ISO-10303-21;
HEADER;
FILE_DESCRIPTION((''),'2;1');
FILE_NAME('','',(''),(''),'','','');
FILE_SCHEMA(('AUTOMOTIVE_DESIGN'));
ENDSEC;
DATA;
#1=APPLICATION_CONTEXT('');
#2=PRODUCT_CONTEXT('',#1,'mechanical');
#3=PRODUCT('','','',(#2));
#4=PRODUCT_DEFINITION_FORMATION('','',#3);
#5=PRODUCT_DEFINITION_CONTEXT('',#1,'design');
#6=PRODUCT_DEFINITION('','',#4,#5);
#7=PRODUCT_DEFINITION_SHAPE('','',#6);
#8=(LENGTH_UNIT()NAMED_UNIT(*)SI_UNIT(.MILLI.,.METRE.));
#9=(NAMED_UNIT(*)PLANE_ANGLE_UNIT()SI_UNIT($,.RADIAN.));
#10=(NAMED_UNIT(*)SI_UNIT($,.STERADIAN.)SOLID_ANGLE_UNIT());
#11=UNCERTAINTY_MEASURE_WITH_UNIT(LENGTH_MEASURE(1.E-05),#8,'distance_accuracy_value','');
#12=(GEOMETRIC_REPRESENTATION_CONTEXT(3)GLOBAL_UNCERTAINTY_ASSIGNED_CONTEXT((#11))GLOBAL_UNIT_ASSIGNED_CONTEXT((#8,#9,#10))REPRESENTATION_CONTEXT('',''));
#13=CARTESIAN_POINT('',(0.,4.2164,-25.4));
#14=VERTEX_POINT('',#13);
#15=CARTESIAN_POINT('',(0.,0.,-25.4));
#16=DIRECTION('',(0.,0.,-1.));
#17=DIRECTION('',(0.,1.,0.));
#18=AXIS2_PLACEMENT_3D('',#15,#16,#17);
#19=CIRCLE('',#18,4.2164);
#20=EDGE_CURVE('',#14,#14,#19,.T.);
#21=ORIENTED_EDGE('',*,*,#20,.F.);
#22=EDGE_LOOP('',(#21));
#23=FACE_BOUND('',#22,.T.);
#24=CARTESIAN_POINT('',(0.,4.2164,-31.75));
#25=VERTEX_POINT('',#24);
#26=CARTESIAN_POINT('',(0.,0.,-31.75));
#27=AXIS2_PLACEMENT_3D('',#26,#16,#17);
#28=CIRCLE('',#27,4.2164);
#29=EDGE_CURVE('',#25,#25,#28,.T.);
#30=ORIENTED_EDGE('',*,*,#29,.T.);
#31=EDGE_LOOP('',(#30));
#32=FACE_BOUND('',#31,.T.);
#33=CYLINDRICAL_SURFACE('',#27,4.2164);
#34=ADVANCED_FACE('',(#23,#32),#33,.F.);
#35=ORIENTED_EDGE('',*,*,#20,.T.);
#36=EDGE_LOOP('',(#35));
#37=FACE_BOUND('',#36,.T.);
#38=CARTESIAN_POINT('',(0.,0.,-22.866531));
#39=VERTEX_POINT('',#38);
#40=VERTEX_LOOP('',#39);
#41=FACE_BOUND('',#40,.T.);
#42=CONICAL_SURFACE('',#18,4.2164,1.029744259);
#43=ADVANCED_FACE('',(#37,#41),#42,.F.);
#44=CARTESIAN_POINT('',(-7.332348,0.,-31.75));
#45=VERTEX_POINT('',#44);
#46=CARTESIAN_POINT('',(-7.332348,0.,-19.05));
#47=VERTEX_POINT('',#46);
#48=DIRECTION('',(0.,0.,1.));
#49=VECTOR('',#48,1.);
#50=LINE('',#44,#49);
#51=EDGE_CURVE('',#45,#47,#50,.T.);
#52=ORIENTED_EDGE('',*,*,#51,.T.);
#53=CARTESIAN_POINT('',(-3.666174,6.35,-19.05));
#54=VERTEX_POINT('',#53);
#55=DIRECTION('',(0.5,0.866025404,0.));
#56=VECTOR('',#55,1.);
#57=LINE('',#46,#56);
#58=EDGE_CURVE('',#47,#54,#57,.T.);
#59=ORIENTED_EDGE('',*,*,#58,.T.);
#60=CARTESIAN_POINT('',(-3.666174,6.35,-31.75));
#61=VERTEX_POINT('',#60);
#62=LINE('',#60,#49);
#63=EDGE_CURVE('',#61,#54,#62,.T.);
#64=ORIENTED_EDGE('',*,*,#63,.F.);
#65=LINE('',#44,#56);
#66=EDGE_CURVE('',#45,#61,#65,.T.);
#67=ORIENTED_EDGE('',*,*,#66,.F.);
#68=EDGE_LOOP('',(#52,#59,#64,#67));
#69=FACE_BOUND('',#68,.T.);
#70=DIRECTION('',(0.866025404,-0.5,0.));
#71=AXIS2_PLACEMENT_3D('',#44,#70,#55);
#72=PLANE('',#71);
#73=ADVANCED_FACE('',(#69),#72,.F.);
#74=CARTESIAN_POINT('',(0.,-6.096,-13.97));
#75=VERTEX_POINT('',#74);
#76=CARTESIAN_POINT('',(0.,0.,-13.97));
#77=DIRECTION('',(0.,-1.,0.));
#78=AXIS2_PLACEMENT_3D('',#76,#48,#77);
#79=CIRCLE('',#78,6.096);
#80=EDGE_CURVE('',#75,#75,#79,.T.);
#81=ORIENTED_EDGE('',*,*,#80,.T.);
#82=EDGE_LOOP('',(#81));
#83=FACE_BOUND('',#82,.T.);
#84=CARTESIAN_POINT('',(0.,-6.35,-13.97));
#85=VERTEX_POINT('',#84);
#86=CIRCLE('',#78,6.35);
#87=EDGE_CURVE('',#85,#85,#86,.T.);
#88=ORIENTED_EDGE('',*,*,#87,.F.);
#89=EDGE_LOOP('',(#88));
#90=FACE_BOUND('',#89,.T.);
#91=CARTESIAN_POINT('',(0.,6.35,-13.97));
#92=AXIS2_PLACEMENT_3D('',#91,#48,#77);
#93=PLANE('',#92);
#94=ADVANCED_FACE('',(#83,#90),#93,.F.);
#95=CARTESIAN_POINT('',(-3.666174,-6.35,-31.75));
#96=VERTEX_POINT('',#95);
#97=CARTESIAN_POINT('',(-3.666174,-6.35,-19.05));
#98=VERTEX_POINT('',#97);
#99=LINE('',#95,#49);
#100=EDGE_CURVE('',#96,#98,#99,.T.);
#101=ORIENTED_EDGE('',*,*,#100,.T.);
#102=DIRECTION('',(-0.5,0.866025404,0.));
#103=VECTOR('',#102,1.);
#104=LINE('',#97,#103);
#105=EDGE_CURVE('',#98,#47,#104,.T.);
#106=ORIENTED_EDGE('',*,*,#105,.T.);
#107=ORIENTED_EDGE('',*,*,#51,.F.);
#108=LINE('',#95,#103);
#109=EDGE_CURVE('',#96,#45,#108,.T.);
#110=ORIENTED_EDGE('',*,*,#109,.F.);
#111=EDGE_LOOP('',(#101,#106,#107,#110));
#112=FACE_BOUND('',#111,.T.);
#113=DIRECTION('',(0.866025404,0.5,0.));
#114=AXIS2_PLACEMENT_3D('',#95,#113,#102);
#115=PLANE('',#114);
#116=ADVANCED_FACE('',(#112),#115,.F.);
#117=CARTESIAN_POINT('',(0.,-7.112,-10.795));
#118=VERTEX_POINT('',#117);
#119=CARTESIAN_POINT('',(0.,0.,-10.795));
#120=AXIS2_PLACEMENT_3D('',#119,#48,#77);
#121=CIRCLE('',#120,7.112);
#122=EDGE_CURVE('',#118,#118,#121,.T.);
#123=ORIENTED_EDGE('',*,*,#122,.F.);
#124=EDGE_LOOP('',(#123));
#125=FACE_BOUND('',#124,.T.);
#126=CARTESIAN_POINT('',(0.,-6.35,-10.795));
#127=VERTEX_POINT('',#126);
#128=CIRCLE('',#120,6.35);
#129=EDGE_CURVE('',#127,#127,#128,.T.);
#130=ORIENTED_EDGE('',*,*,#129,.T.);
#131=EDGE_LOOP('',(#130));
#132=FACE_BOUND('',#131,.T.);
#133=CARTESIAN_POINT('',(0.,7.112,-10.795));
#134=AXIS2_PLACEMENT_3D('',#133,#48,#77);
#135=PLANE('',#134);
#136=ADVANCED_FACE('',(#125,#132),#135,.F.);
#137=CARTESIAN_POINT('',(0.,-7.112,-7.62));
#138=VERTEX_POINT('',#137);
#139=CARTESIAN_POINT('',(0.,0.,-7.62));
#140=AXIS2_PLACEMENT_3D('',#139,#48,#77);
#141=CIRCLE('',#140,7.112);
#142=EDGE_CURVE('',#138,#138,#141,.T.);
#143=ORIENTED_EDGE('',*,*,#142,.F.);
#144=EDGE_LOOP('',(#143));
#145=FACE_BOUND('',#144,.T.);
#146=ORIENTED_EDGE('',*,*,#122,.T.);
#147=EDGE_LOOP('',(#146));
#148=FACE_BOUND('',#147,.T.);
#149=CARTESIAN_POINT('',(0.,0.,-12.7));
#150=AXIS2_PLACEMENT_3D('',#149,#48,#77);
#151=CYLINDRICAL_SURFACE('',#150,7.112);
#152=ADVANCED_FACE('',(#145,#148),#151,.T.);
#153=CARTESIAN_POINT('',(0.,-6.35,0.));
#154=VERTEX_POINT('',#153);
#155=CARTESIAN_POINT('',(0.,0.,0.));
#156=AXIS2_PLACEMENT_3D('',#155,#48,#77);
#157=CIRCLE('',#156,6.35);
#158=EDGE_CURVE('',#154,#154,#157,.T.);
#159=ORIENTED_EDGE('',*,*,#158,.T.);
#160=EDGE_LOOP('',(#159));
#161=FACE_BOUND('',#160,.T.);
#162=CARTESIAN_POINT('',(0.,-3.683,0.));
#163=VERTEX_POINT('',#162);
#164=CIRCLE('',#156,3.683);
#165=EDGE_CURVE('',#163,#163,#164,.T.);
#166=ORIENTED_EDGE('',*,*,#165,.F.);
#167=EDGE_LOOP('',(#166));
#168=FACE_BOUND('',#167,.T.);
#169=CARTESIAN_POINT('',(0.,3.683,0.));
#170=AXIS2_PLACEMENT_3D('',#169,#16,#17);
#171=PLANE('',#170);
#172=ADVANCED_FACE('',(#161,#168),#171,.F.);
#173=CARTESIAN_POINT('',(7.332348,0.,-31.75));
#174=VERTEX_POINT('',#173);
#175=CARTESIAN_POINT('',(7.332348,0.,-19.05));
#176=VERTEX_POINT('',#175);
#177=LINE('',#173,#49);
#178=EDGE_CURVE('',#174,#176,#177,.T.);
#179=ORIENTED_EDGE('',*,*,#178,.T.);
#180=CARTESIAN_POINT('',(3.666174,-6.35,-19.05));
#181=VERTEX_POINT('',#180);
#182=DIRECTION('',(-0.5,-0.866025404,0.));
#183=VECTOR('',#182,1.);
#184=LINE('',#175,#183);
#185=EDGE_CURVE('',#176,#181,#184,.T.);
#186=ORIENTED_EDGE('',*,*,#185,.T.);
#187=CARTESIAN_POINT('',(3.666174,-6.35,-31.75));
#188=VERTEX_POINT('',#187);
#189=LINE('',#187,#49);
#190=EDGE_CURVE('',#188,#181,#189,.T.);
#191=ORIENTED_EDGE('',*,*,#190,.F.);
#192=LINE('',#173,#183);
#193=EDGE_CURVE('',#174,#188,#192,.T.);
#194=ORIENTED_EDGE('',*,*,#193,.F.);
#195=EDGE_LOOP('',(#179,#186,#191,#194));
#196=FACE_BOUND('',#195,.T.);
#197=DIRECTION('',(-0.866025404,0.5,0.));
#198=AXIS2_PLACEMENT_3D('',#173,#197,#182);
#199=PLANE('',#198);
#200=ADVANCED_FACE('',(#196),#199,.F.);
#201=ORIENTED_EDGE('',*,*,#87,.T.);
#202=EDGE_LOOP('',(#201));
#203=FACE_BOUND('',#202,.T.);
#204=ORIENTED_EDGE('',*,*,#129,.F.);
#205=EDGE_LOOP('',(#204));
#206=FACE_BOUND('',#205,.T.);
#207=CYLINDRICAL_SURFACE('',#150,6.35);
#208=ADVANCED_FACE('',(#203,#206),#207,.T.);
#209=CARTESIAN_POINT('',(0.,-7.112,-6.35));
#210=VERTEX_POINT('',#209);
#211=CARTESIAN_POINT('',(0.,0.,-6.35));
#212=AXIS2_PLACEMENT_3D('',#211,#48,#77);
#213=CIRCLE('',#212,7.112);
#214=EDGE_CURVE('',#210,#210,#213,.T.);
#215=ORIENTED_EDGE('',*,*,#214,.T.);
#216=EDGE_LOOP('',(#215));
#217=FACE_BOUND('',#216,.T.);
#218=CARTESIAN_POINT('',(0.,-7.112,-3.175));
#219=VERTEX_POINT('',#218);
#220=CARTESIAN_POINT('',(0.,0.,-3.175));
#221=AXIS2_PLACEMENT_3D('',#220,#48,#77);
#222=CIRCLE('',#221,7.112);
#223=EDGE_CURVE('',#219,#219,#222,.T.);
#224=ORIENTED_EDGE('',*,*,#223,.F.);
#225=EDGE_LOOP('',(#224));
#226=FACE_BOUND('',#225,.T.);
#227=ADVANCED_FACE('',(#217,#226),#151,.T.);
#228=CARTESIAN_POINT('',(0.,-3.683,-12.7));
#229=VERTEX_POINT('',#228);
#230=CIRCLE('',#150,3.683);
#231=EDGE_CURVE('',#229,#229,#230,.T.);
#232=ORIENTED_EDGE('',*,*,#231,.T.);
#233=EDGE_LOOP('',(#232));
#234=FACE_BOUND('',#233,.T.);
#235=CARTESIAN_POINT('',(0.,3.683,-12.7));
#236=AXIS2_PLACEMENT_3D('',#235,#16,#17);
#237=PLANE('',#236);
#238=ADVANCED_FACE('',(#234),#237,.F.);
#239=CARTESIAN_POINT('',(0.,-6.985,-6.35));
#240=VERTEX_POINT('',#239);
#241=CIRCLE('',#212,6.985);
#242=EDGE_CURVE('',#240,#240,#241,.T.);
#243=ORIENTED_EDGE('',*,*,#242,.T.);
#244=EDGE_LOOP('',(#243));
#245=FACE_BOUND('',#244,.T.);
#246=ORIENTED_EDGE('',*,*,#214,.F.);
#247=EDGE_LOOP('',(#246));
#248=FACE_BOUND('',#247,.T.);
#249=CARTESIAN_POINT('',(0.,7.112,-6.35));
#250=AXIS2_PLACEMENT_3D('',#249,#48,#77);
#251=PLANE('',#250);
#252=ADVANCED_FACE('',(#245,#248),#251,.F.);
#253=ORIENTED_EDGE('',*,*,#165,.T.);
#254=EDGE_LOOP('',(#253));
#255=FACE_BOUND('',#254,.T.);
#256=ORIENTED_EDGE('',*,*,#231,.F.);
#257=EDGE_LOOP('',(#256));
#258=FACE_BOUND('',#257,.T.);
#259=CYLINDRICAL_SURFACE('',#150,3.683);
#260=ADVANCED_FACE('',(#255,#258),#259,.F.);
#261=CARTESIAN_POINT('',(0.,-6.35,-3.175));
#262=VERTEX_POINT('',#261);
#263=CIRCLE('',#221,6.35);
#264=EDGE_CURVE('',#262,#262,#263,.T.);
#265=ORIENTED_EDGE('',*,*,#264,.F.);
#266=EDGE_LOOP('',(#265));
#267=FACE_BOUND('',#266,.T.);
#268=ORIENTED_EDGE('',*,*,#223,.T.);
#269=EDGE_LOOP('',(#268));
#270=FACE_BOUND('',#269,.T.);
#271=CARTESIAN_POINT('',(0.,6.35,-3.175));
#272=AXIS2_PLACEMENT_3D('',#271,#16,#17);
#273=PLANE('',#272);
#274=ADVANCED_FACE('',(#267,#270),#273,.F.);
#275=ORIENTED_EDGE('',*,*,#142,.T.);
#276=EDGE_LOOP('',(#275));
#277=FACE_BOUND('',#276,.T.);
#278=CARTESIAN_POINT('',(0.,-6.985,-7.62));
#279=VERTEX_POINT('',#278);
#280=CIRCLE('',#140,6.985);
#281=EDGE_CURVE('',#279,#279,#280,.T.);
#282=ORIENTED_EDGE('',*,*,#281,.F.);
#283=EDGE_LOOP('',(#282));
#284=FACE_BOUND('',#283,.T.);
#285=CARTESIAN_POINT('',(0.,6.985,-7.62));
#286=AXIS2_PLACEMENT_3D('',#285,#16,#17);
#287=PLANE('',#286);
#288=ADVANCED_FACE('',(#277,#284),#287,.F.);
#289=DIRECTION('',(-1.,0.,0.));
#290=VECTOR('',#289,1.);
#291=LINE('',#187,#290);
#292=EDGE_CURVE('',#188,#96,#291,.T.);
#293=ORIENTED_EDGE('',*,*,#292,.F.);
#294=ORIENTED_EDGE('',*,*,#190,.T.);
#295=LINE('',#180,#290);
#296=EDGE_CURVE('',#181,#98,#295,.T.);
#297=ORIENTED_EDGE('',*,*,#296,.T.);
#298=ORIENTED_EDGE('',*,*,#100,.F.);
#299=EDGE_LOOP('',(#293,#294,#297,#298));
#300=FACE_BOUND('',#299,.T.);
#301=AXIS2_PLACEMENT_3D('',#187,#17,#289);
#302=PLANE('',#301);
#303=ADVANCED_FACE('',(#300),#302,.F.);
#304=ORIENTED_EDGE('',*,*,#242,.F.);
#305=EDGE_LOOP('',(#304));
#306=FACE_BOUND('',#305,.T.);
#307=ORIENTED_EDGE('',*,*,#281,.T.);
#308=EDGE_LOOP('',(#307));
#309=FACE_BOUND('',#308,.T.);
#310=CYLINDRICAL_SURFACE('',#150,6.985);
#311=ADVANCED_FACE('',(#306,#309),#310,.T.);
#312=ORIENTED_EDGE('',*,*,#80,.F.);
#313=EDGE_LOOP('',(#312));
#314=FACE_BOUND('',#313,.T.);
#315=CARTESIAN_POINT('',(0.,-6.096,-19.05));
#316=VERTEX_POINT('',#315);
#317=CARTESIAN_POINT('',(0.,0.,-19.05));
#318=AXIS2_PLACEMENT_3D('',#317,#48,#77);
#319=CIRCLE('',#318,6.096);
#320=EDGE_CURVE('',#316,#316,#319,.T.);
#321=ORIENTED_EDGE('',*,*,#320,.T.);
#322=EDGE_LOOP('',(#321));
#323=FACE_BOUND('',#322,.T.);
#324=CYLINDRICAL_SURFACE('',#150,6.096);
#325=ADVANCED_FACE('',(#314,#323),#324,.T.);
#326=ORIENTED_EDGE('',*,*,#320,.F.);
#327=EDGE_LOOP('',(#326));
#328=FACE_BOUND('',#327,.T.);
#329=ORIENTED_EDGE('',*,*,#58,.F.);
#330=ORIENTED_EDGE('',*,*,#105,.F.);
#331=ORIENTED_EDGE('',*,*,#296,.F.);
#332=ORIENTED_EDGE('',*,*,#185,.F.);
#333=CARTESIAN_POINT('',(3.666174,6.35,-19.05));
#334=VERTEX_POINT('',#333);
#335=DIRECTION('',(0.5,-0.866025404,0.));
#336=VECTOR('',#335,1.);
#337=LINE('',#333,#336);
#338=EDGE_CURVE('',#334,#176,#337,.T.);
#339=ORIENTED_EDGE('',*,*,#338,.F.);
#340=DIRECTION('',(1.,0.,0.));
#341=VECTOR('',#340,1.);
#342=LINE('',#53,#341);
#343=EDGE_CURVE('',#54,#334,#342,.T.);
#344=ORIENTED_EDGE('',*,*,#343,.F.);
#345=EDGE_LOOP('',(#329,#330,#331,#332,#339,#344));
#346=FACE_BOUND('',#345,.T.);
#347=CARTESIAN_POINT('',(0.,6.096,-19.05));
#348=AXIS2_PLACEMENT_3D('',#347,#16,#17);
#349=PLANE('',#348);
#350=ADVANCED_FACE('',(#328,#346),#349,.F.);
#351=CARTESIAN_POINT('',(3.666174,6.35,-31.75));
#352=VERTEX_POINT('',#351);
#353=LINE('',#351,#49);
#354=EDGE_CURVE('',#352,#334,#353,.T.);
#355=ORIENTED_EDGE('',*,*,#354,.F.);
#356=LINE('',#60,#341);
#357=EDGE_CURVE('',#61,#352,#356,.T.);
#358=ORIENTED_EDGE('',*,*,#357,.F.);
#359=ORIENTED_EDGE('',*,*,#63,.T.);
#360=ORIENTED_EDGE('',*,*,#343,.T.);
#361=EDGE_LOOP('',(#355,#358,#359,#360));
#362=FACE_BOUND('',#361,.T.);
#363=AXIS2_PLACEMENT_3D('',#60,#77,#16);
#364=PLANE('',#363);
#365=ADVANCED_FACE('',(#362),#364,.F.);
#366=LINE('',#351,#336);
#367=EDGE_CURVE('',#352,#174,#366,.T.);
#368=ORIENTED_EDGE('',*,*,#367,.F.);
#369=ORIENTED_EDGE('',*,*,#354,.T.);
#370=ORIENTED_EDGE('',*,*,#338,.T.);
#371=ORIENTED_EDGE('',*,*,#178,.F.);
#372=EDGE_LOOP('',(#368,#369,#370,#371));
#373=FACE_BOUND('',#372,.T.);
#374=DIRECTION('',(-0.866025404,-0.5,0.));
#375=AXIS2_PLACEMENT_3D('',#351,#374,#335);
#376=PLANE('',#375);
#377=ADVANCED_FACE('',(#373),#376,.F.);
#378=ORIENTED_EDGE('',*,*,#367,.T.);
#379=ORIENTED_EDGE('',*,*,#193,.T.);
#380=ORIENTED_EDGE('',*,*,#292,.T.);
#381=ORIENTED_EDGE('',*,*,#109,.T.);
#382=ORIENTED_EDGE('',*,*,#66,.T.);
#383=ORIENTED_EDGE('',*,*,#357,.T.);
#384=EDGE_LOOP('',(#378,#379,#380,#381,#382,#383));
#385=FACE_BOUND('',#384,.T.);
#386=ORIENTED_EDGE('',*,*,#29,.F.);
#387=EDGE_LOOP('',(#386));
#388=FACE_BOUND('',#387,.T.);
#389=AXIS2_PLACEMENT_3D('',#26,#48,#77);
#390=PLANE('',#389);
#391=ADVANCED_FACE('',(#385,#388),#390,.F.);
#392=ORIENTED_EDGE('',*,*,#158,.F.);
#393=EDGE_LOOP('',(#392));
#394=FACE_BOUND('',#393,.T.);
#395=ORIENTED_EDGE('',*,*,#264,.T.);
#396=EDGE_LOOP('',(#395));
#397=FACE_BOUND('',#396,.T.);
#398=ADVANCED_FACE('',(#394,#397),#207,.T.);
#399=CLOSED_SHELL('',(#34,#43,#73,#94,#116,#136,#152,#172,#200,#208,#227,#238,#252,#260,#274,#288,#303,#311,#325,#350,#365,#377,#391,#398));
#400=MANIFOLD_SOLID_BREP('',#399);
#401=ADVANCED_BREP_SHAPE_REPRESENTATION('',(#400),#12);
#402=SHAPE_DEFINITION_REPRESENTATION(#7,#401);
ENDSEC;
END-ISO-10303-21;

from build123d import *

# Parameters (mm, degrees)
SKETCH2_R                         = 31.732831761
CUT_EXTRUDE1_DEPTH                = 32.254845925
PIPE_TAP_DRILL_FOR_1_8_TAP1_D     = 8.4328
PIPE_TAP_DRILL_FOR_1_8_TAP1_DEPTH = 6.35
PIPE_TAP_DRILL_FOR_1_8_TAP1_TIP   = 2.533468714


with BuildPart() as part:
    # Sketch1 → Revolve1 (revolve)
    with BuildSketch(Plane(origin=(0, 0, 0), x_dir=(0, 0, -1), z_dir=(1, 0, 0)), mode=Mode.PRIVATE) as revolve1_sk:
        Polygon((3.175, 6.35), (3.175, 7.112), (6.35, 7.112), (6.35, 6.985), (7.62, 6.985), (7.62, 7.112), (10.795, 7.112), (10.795, 6.35), (13.97, 6.35), (13.97, 6.096), (19.05, 6.096), (19.05, 17.520886019), (31.75, 17.520886019), (31.75, 0), (12.7, 0), (12.7, 3.683), (0, 3.683), (0, 6.35), align=None)
    revolve(revolve1_sk.sketch.rotate(Axis((0, 0, -12.7), (0, 0, -1)), 180), axis=Axis((0, 0, -12.7), (0, 0, -1)))

    # Sketch2 → Cut-Extrude1 (cut, through all)
    with BuildSketch(Plane(origin=(0, 0, -19.05), x_dir=(-1, 0, 0), z_dir=(0, 0, -1))):
        Circle(SKETCH2_R)
        Polygon((7.332348419, 0), (3.666174209, 6.35), (-3.666174209, 6.35), (-7.332348419, 0), (-3.666174209, -6.35), (3.666174209, -6.35), align=None, mode=Mode.SUBTRACT)
    extrude(amount=CUT_EXTRUDE1_DEPTH, mode=Mode.SUBTRACT)

    # Pipe Tap Drill for 1/8 Tap1
    with Locations(Plane(origin=(0, 0, -31.75), x_dir=(-1, 0, 0), z_dir=(0, 0, -1))):
        with Locations((0, 0)):
            Hole(PIPE_TAP_DRILL_FOR_1_8_TAP1_D / 2, depth=PIPE_TAP_DRILL_FOR_1_8_TAP1_DEPTH)
            with Locations((0, 0, -(PIPE_TAP_DRILL_FOR_1_8_TAP1_DEPTH + PIPE_TAP_DRILL_FOR_1_8_TAP1_TIP / 2))):  # 118° drill point
                Cone(0, PIPE_TAP_DRILL_FOR_1_8_TAP1_D / 2, PIPE_TAP_DRILL_FOR_1_8_TAP1_TIP, mode=Mode.SUBTRACT)


solid = part.part
